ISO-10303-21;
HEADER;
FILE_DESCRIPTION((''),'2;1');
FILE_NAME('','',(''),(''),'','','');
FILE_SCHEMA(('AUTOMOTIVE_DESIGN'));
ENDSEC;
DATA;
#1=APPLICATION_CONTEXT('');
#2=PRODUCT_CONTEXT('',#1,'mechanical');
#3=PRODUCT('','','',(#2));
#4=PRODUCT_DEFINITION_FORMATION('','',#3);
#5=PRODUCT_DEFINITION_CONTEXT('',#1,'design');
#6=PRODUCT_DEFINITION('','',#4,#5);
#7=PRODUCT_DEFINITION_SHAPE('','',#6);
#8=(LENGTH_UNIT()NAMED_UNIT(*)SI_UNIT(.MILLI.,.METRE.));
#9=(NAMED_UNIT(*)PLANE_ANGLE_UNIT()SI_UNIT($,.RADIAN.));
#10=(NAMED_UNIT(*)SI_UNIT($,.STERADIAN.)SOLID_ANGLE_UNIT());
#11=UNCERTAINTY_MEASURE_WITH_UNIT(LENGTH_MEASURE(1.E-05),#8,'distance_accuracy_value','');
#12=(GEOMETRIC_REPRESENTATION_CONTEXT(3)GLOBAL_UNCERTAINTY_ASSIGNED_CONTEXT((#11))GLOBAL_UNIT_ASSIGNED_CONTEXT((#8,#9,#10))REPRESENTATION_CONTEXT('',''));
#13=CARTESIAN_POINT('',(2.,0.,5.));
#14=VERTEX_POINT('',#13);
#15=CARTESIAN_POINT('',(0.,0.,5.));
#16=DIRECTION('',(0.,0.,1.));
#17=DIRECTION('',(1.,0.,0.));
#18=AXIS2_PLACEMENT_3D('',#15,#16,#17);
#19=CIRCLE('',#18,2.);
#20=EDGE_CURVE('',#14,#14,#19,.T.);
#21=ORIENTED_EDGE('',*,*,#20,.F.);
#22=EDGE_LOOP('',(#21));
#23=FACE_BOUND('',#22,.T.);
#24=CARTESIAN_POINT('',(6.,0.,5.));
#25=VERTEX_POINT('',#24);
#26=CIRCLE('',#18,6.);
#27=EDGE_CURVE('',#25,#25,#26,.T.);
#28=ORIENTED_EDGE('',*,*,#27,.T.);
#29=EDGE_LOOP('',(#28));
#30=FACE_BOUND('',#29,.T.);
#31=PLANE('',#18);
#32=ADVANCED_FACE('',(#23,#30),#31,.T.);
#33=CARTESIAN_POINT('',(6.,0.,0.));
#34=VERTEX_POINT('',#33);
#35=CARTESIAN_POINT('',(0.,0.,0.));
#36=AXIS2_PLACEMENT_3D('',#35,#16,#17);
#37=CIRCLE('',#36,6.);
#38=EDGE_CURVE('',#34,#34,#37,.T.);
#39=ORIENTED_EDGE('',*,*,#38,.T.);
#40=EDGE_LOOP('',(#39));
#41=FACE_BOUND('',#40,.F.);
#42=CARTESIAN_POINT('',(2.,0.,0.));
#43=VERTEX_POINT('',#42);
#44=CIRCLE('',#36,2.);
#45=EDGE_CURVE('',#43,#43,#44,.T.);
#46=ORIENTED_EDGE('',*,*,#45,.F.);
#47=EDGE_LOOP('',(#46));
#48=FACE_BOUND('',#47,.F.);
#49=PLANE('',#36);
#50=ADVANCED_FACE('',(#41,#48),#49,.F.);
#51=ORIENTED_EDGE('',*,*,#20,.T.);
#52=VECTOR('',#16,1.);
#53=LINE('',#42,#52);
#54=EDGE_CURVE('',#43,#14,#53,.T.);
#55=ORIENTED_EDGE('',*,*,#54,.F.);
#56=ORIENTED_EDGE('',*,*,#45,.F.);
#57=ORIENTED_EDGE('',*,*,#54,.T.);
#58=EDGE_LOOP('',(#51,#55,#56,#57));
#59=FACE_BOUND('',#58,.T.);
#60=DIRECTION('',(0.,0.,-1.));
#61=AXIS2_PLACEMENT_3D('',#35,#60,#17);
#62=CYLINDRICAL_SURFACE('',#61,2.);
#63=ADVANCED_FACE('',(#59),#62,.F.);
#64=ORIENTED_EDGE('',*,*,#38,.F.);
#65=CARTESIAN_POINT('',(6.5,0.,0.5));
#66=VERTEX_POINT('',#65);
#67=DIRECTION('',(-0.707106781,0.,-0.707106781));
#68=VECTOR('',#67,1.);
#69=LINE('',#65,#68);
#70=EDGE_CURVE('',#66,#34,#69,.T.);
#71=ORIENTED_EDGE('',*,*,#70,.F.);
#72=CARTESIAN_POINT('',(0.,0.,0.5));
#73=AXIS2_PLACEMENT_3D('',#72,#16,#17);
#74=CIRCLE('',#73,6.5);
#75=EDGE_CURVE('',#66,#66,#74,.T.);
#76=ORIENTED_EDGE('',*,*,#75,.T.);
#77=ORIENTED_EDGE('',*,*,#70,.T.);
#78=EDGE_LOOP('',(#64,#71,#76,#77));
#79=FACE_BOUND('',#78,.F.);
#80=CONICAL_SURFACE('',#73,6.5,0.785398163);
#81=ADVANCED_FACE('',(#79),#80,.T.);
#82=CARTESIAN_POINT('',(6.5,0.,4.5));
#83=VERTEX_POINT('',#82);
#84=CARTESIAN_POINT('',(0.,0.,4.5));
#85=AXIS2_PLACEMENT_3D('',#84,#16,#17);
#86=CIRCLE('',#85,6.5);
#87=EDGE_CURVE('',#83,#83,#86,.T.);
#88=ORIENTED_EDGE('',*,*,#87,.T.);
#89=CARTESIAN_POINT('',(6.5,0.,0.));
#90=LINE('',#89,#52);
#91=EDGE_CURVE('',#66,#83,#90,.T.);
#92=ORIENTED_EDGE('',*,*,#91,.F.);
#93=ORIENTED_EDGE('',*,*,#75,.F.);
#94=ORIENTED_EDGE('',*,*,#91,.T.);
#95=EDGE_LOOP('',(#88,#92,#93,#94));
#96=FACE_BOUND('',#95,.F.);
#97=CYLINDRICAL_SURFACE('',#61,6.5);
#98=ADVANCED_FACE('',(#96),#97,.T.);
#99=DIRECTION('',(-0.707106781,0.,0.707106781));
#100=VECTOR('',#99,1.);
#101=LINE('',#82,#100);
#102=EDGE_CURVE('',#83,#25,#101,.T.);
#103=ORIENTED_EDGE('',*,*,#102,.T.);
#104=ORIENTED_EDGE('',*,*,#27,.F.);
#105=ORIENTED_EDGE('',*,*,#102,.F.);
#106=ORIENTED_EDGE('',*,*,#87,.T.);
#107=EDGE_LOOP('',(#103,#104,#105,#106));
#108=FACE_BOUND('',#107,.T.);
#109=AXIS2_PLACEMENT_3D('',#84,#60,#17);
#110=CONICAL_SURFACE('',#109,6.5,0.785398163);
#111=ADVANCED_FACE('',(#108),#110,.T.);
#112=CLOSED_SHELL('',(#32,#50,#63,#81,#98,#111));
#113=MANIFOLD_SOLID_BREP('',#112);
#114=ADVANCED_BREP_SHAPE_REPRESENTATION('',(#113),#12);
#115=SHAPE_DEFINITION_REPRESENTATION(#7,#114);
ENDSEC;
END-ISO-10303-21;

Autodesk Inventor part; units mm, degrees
ref_plane "YZ Plane" through (0, 0, 0) normal (1, 0, 0) x (0, 1, 0)
ref_plane "XZ Plane" through (0, 0, 0) normal (0, 1, 0) x (-1, 0, 0)
ref_plane "XY Plane" through (0, 0, 0) normal (0, 0, 1) x (1, 0, 0)
sketch "Sketch1" plane through (0, 0, 0) normal (0, 0, 1) x (1, 0, 0)
  circle A0 centre (0, 0) radius 6.5
  circle A1 centre (0, 0) radius 2
  dimension "d0" = 13
  dimension "d1" = 4
extrude "Extrusion1" add sketch "Sketch1" along normal blind 5
chamfer "Chamfer1" distance 0.5 angle 45 1 edges at (-6.5, 0, 5)
chamfer "Chamfer2" distance 0.5 angle 45 1 edges at (-6.5, 0, 0)
properties part number "4mmBearing"
